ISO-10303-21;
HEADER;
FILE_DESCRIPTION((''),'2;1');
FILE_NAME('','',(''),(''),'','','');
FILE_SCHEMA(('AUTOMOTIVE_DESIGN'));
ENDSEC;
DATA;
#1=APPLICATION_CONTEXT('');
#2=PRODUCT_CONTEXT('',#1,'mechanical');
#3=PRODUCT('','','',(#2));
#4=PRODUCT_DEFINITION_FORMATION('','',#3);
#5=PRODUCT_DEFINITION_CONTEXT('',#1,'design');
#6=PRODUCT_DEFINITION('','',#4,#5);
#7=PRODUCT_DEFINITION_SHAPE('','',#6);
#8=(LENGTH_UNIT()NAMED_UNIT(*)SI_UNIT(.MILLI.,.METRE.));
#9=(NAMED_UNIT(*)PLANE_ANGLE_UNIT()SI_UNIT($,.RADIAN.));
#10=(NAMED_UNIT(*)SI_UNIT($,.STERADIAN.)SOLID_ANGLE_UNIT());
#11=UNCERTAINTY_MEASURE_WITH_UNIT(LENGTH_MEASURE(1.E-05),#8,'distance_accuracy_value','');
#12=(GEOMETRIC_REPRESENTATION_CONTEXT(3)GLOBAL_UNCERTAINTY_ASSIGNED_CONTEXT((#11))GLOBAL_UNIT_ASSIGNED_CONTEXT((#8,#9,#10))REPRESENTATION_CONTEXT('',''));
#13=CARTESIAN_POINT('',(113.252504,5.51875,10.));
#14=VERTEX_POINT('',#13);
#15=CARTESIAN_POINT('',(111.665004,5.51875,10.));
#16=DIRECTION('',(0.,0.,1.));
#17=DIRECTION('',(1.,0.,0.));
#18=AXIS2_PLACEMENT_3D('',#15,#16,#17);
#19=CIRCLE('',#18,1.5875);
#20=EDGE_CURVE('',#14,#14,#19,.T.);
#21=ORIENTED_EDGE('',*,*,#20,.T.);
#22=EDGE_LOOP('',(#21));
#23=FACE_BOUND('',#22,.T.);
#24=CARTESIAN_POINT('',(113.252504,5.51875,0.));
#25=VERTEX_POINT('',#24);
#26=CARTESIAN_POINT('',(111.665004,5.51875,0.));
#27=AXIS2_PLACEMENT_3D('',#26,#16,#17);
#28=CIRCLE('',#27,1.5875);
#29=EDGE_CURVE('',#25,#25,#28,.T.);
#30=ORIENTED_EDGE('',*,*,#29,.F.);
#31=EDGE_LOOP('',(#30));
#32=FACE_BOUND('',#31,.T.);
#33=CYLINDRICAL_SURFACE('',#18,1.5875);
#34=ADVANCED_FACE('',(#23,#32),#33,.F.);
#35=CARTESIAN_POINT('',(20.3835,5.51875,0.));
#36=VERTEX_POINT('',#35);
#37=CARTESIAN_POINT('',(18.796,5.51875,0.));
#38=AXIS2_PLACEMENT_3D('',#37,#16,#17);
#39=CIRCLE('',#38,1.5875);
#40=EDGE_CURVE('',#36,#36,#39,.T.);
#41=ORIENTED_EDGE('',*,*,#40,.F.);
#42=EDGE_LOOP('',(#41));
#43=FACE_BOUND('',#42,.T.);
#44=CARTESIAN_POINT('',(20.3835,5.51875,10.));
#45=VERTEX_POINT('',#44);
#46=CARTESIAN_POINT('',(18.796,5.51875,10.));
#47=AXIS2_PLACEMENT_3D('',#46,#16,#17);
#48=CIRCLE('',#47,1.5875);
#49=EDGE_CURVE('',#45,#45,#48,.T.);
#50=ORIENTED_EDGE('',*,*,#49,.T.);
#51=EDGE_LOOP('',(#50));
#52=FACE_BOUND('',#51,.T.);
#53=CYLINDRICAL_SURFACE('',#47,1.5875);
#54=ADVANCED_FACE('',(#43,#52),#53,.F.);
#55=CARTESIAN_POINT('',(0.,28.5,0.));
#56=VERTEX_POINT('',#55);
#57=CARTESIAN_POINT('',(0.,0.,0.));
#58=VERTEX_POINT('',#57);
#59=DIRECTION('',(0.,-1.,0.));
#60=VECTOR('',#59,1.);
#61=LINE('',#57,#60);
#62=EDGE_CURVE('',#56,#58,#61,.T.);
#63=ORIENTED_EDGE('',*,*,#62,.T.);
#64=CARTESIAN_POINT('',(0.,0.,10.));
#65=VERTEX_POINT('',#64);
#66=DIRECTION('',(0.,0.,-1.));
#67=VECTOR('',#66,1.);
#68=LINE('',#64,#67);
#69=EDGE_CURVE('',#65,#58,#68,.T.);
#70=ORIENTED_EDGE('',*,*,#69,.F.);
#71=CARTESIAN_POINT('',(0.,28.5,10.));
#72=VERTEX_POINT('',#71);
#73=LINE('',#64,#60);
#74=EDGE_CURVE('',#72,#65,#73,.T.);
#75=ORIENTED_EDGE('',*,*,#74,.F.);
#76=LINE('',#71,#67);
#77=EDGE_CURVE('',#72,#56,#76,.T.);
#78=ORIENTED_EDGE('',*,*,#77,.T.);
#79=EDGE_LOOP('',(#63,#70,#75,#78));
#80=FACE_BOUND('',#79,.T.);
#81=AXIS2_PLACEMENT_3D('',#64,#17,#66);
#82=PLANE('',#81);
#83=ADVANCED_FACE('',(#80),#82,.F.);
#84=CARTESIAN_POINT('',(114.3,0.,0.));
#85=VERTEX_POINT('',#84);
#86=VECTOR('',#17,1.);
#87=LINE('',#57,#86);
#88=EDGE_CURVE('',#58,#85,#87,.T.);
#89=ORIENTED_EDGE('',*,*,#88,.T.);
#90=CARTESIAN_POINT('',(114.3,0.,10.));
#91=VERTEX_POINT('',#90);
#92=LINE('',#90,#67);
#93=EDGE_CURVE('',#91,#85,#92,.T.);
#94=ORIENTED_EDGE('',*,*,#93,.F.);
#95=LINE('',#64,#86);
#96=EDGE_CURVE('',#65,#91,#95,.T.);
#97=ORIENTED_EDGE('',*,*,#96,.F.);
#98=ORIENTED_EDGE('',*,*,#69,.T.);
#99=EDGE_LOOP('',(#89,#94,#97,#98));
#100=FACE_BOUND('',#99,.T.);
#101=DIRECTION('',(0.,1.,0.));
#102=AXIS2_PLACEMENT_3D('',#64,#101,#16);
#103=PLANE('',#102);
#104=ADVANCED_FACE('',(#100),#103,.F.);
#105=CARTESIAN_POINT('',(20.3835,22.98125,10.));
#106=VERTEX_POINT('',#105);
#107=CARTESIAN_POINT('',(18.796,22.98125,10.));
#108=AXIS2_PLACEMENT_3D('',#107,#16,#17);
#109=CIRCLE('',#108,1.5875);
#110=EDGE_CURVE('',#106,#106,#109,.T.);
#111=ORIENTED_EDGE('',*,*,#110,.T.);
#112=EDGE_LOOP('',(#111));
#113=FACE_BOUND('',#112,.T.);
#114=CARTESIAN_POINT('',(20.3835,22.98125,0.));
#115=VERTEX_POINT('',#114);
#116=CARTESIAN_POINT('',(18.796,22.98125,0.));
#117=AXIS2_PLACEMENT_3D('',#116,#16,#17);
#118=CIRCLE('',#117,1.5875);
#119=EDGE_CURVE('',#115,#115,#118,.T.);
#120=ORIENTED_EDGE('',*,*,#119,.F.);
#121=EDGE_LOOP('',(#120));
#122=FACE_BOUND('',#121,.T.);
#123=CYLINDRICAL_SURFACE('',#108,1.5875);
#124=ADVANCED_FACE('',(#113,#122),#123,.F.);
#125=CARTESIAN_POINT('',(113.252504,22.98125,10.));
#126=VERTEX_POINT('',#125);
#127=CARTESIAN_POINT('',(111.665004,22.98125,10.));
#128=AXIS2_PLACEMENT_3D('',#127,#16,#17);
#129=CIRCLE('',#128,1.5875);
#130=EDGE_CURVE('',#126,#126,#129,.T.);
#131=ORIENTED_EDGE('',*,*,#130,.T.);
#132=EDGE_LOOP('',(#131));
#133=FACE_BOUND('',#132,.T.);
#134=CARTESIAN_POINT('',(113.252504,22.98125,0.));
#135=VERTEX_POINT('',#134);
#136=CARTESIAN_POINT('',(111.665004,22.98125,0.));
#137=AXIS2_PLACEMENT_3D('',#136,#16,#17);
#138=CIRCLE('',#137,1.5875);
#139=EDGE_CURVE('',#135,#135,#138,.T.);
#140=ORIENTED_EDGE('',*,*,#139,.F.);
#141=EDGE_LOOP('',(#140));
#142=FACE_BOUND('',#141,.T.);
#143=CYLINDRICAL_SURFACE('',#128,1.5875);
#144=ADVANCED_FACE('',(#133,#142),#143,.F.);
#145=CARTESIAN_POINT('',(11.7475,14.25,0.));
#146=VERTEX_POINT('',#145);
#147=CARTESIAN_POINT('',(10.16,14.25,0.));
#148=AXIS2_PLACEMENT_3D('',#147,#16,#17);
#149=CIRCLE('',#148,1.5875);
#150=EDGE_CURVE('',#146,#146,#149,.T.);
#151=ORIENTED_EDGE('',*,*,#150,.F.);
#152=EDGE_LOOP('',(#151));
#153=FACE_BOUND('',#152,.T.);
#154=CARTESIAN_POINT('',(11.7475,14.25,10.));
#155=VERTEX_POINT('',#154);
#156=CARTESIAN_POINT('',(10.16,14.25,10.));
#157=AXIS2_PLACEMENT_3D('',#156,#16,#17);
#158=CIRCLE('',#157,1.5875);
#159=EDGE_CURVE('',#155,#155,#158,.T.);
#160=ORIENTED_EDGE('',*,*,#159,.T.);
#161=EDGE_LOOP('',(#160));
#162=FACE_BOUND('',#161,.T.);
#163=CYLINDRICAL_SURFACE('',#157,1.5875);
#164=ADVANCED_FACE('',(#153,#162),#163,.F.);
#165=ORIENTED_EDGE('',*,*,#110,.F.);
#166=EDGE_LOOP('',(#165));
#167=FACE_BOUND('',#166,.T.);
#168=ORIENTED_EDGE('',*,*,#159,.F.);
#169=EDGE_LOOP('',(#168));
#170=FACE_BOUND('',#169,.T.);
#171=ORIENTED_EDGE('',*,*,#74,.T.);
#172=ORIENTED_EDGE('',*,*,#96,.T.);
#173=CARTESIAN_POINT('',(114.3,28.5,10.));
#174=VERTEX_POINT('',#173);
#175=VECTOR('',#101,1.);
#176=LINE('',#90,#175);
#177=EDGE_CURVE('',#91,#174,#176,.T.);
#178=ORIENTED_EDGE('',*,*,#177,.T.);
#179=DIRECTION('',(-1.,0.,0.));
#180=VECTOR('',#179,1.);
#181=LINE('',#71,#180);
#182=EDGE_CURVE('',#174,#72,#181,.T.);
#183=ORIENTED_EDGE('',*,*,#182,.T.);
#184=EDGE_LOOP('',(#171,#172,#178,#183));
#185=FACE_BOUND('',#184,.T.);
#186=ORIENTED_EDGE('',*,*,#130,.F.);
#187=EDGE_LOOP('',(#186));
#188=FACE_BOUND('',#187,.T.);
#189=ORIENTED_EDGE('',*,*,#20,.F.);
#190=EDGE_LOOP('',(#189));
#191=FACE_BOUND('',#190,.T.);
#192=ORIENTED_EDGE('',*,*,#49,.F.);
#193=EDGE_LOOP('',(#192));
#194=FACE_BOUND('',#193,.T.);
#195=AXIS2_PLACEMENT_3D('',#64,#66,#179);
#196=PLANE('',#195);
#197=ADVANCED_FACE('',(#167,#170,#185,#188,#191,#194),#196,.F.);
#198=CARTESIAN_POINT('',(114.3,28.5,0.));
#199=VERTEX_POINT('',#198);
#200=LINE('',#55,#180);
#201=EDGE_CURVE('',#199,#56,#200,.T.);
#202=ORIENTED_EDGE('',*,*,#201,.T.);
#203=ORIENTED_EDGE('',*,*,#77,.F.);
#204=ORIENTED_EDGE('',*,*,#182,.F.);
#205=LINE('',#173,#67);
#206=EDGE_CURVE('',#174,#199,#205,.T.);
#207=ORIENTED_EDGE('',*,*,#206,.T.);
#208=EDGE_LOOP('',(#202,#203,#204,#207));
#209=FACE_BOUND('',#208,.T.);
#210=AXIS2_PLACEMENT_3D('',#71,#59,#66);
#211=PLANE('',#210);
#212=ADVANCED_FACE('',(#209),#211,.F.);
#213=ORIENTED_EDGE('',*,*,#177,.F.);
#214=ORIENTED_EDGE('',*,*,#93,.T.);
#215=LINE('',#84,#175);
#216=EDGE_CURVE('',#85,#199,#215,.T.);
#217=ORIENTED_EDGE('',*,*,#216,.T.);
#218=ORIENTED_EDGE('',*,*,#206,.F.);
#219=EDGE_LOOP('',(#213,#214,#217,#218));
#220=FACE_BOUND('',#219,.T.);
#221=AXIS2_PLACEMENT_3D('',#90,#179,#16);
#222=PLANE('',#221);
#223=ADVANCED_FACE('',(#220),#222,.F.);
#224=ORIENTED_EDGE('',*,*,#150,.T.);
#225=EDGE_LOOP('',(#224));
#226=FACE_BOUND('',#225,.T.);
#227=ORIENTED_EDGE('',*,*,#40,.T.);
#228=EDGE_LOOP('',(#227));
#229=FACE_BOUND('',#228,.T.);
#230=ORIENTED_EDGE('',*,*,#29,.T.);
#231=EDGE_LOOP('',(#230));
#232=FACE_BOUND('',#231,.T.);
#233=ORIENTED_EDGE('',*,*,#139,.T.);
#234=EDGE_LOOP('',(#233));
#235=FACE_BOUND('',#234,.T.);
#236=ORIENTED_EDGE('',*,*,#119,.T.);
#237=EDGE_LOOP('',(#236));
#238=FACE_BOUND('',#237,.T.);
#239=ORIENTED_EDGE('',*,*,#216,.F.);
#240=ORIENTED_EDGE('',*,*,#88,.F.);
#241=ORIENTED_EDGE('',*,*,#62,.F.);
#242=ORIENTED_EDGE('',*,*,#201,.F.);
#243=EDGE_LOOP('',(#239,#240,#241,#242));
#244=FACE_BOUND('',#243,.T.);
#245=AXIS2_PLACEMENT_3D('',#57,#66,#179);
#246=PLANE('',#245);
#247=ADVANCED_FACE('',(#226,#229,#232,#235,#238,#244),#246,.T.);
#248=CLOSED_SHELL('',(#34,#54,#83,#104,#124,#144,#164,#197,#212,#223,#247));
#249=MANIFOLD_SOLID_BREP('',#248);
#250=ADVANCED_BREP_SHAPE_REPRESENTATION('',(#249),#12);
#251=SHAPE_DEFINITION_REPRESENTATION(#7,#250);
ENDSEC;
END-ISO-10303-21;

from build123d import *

# Parameters (mm, degrees)
SKETCH_1_W      = 114.3
SKETCH_1_H      = 28.5
EXTRUDE_1_DEPTH = 10
HOLE_WIZARD_1_D = 3.175


with BuildPart() as part:
    # 스케치1 → 보스-돌출1 (new body)
    with BuildSketch(Plane.XY):
        with Locations((57.15, 14.25)):
            Rectangle(SKETCH_1_W, SKETCH_1_H)
    extrude(amount=EXTRUDE_1_DEPTH)

    # 구멍1 (through all)
    with Locations(Plane.XY.offset(10)):
        with Locations((18.796, 22.98125), (111.665004, 22.98125), (10.16, 14.25)):
            hole_wizard_1 = Hole(HOLE_WIZARD_1_D / 2)

    # 대칭 복사1: 구멍1 across plane
    add(hole_wizard_1.mirror(Plane.ZX.offset(14.25)), mode=Mode.SUBTRACT)


solid = part.part
